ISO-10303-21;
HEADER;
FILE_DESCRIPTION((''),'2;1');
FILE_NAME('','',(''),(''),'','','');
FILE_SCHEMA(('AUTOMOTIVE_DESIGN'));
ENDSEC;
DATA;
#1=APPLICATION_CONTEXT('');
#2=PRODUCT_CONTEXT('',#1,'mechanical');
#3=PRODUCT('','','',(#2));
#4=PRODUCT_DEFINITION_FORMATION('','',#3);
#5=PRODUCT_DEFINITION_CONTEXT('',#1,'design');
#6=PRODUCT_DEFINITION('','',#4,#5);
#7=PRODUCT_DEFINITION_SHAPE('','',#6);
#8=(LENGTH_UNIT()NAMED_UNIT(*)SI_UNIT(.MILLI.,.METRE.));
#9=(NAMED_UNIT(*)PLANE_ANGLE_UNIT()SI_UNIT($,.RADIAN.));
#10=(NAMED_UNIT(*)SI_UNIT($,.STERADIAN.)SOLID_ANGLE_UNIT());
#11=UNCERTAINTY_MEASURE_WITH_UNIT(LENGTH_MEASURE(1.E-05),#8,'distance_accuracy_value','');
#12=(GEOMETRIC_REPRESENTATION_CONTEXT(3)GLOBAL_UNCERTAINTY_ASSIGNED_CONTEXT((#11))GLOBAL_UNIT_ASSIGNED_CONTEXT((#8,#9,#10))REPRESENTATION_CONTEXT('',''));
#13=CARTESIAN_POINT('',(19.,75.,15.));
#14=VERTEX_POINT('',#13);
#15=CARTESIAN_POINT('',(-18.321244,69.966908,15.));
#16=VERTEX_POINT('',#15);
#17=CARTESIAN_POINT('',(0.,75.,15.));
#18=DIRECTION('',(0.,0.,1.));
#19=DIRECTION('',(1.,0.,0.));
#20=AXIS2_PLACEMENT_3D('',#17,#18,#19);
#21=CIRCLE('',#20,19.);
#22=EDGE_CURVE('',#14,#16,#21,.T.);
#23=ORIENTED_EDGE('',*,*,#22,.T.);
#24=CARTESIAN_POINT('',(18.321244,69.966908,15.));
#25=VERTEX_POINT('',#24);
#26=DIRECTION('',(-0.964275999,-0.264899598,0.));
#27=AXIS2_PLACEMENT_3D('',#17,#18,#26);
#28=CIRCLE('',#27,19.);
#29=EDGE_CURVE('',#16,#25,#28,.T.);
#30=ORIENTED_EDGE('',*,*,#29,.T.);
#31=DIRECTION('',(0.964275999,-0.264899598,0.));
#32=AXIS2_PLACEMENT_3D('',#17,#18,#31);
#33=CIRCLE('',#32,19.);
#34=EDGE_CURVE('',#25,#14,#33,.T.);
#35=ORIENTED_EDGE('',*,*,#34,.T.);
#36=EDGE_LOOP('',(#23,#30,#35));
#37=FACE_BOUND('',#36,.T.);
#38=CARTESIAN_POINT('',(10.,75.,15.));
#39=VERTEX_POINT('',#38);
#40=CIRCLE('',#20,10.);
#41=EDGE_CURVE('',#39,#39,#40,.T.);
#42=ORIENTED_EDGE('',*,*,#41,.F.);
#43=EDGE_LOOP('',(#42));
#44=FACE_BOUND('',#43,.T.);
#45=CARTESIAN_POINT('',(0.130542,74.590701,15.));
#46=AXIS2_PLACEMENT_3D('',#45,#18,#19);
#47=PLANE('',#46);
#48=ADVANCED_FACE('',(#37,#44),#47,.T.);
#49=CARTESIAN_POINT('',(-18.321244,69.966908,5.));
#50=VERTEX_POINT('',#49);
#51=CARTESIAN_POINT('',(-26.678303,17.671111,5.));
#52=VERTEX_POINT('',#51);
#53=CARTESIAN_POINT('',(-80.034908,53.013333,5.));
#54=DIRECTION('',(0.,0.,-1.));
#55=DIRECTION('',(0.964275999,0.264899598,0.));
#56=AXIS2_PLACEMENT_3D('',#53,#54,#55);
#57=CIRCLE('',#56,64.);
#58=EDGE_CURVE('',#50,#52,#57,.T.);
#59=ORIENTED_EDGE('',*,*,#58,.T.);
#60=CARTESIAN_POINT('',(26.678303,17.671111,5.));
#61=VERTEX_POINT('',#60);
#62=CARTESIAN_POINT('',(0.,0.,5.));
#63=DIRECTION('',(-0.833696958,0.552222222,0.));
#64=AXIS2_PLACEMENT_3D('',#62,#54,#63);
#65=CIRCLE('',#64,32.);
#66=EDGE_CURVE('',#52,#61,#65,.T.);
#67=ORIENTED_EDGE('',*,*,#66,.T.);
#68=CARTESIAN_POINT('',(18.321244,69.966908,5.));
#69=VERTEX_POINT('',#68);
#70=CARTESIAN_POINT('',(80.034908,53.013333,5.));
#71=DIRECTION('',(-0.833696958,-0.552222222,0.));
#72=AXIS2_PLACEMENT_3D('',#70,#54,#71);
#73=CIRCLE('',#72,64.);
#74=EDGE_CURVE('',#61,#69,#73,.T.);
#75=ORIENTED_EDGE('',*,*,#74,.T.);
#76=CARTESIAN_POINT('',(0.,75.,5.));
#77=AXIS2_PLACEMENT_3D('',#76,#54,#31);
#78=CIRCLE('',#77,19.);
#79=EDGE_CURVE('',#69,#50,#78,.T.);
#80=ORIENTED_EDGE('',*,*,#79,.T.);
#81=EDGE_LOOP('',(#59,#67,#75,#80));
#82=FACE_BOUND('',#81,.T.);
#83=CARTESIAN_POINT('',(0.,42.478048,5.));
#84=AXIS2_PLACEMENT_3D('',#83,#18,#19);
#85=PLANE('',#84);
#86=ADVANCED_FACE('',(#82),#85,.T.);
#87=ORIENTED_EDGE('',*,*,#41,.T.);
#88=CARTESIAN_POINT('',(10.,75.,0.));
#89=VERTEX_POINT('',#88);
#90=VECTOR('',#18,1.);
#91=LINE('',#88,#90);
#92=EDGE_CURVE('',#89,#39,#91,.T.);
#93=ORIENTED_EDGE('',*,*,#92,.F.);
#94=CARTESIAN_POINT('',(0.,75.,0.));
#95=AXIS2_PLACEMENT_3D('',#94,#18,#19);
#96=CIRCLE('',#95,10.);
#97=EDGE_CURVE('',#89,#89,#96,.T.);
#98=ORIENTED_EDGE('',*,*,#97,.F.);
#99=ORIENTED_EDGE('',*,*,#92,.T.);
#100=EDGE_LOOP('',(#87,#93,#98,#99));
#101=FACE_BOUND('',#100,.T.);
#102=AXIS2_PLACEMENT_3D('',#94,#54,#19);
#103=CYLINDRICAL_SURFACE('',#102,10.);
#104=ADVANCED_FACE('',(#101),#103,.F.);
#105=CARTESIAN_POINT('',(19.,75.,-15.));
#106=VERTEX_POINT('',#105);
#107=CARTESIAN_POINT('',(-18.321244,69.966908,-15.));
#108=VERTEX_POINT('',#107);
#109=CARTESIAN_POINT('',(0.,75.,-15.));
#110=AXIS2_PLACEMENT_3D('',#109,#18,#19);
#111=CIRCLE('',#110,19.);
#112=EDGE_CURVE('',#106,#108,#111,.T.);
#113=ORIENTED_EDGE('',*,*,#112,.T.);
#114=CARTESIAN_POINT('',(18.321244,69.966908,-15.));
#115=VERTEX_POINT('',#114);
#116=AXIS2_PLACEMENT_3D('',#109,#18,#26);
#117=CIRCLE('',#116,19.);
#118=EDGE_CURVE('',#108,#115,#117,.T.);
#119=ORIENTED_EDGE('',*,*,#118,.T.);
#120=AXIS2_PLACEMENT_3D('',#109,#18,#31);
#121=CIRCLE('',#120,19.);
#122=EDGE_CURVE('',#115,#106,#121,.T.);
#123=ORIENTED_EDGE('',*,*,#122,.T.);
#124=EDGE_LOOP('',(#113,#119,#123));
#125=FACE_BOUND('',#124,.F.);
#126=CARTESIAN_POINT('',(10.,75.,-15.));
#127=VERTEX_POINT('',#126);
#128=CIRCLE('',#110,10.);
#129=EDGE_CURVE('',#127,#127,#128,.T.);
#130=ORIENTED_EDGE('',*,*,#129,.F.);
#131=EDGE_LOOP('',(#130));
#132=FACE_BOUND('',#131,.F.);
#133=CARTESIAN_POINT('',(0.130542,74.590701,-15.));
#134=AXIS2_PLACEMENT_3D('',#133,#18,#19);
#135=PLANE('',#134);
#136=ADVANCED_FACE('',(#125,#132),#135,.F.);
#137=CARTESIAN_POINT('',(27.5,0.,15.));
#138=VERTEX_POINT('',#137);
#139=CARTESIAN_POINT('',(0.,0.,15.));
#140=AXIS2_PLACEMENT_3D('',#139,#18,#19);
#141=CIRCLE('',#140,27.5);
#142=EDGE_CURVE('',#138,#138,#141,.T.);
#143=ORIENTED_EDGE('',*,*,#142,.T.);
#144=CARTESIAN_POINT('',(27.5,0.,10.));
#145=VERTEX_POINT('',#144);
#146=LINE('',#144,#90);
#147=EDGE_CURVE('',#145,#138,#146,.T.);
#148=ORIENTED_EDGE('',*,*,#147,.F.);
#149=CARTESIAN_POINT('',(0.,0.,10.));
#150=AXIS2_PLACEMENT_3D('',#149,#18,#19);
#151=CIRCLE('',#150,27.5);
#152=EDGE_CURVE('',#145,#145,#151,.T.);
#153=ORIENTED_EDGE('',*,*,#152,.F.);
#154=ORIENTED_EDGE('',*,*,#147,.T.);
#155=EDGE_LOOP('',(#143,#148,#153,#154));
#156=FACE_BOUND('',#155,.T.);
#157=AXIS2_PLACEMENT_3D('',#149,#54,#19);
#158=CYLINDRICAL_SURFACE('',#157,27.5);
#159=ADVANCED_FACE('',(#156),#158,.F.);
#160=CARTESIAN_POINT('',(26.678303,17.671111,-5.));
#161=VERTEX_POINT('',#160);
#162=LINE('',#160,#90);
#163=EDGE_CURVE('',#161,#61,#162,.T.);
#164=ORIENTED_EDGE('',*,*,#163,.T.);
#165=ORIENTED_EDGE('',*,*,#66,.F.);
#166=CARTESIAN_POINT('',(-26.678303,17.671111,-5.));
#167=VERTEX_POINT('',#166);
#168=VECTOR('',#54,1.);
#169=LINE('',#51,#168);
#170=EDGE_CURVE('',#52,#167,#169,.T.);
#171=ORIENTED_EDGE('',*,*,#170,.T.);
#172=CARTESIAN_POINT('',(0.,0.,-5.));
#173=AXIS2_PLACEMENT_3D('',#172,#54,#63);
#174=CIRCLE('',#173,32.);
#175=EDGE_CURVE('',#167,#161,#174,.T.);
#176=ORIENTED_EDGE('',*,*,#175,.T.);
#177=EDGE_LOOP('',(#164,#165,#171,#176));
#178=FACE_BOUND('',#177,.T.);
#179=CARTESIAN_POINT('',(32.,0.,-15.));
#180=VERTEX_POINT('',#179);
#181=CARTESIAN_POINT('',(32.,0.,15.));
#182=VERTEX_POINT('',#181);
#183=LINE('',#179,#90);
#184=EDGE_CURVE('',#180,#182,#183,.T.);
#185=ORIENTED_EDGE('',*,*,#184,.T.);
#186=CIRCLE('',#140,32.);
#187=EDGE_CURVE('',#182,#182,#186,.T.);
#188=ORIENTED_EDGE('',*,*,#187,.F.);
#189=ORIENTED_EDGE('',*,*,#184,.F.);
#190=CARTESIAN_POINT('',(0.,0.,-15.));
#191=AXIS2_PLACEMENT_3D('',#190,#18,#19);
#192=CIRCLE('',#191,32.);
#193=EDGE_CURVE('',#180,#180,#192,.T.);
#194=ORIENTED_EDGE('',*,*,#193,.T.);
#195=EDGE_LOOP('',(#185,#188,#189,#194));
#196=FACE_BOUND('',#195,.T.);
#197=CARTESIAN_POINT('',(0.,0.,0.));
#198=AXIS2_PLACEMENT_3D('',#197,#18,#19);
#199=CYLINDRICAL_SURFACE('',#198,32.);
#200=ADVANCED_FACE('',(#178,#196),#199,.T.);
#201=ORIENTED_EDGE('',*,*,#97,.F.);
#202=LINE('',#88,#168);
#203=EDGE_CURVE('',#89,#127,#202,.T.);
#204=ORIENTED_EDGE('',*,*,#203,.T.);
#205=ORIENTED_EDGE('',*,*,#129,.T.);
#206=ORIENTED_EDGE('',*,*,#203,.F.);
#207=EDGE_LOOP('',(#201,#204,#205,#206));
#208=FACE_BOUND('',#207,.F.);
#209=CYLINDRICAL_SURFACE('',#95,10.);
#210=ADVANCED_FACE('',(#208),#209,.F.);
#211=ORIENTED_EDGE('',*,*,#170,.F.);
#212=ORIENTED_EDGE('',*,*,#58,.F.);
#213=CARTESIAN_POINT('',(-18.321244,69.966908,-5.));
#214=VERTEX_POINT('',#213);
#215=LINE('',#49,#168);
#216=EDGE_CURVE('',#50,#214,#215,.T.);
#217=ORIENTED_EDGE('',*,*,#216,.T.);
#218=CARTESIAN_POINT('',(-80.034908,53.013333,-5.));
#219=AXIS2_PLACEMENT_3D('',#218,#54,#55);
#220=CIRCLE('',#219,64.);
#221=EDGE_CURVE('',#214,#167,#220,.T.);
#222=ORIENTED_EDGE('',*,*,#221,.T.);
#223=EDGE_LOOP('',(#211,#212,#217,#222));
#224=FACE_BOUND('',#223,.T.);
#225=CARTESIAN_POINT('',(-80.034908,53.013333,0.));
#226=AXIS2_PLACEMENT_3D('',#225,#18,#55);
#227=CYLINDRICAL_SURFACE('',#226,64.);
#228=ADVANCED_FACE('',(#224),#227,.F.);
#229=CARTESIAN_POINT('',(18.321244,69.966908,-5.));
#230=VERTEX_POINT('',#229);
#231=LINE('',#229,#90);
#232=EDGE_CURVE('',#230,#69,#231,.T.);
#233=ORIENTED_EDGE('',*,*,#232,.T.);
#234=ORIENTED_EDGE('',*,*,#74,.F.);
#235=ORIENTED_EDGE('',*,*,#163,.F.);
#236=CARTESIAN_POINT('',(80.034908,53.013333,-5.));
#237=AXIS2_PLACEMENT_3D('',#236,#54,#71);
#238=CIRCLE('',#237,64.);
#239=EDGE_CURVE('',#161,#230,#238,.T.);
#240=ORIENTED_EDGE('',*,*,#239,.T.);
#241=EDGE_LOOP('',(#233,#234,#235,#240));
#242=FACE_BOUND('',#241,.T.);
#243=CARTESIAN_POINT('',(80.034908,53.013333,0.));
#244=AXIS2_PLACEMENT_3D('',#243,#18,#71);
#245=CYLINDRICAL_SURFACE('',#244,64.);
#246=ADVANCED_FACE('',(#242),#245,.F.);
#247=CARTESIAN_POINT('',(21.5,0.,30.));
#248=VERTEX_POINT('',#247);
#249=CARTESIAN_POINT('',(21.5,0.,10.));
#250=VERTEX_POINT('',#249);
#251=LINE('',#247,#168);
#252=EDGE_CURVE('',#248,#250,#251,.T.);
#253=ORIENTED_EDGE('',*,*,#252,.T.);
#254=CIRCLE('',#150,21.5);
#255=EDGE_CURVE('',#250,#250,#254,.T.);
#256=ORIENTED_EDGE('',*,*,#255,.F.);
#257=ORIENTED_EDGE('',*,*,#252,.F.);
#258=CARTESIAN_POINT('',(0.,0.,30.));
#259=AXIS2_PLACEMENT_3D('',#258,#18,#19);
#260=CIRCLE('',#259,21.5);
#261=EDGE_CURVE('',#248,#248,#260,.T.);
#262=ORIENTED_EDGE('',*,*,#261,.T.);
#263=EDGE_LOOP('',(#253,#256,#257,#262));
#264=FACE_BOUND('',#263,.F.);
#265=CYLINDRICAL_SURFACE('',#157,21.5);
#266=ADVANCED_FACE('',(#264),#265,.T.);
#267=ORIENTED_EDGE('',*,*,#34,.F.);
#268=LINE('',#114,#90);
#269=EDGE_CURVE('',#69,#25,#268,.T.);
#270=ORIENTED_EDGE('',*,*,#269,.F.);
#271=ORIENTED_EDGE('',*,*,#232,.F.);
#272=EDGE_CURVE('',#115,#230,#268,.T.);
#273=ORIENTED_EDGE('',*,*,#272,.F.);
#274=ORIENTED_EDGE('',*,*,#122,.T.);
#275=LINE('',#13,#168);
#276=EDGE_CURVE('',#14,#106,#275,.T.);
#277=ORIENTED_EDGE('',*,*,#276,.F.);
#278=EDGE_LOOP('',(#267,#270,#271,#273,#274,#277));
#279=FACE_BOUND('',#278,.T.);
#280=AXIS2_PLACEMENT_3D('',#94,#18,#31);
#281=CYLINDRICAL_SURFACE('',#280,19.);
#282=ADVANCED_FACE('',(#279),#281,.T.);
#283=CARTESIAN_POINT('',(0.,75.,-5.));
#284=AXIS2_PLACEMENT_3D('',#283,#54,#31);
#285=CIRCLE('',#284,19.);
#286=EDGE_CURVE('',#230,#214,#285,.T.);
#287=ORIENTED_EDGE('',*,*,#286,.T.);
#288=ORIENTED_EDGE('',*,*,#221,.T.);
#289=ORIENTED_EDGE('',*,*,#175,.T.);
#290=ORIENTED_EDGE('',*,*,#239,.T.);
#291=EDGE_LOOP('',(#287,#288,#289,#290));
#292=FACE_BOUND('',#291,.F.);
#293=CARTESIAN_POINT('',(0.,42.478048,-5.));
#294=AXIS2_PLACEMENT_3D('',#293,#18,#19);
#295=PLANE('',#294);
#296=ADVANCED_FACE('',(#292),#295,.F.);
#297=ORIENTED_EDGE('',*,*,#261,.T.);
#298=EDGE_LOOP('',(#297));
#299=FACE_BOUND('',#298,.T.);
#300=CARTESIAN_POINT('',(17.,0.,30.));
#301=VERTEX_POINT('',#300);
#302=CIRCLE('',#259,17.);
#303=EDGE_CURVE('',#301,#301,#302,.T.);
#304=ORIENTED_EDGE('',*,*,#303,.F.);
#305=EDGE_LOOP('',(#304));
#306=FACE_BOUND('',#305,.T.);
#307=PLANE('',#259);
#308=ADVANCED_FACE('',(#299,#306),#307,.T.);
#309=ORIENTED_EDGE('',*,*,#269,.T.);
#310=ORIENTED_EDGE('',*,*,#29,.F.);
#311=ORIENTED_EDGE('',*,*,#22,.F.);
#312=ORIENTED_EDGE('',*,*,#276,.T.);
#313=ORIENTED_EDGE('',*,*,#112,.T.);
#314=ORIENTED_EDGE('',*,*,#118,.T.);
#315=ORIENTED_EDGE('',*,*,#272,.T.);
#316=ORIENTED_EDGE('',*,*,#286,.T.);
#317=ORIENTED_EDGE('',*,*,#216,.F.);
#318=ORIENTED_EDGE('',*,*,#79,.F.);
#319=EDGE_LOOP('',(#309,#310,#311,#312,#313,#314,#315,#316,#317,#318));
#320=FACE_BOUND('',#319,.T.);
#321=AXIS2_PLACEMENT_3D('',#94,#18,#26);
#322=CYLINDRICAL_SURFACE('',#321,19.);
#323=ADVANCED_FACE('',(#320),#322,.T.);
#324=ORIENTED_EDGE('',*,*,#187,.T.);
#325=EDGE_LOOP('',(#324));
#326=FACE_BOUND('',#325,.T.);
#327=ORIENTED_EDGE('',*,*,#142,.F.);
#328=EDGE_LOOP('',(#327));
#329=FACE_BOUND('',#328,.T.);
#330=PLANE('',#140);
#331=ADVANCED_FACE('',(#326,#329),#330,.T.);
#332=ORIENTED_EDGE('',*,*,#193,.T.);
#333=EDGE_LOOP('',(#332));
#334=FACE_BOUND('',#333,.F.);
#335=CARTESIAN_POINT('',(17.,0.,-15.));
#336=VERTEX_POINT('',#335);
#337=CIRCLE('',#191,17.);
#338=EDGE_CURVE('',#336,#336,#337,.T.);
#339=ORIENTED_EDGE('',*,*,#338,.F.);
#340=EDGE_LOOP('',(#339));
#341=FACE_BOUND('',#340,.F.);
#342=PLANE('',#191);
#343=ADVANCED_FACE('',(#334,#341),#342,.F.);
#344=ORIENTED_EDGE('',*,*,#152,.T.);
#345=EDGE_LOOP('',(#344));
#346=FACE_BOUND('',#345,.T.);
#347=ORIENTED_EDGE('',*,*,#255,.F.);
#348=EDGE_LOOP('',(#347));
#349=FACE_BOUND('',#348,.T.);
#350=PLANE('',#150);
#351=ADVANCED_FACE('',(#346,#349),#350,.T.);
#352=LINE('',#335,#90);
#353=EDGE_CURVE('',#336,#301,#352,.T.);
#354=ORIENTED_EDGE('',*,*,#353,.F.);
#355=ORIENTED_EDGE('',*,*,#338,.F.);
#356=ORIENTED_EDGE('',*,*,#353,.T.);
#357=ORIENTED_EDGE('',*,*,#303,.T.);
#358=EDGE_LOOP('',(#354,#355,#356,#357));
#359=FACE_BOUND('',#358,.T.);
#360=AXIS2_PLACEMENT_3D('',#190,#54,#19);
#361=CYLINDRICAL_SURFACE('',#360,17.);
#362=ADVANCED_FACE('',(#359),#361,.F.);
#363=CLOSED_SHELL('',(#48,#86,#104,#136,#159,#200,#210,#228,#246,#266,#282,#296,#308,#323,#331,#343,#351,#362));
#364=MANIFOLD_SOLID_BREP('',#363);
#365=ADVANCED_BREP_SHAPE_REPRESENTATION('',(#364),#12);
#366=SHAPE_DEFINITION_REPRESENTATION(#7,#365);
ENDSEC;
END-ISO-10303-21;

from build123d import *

# Parameters (mm, degrees)
BOSS_EXTRU_1_DEPTH      = 5
ESQUISSE1_3_R           = 10
BOSS_EXTRU_2_DEPTH      = 15
BOSS_EXTRU_3_DEPTH      = 30
BOSS_EXTRU_3_DEPTH_BACK = 15
ESQUISSE1_5_R           = 21.5
ESQUISSE1_5_R_2         = 17
ESQUISSE1_6_R           = 32
ESQUISSE1_6_R_2         = 21.5
BOSS_EXTRU_4_DEPTH      = 15
ENL_V_START             = 10
ESQUISSE1_7_R           = 27.5
ESQUISSE1_7_R_2         = 21.5
ENL_V_MAT_EXTRU_1_DEPTH = 5


with BuildPart() as part:
    # Esquisse1 → Boss.-Extru.1 (new, symmetric)
    with BuildSketch(Plane.XY):
        with BuildLine():
            ThreePointArc((-26.678302647, 17.671111111), (0, 32), (26.678302647, 17.671111111))
            ThreePointArc((26.678302647, 17.671111111), (16.836772686, 42.914041255), (18.321243986, 69.966907631))
            ThreePointArc((18.321243986, 69.966907631), (0, 56), (-18.321243986, 69.966907631))
            ThreePointArc((-18.321243986, 69.966907631), (-16.836772686, 42.914041255), (-26.678302647, 17.671111111))
        make_face()
    extrude(amount=BOSS_EXTRU_1_DEPTH, both=True)

    # Esquisse1_3 → Boss.-Extru.2 (add, symmetric)
    with BuildSketch(Plane.XY):
        with BuildLine():
            ThreePointArc((-18.321243986, 69.966907631), (0, 56), (18.321243986, 69.966907631))
            ThreePointArc((18.321243986, 69.966907631), (18.829546406, 72.460672898), (19, 75))
            ThreePointArc((19, 75), (-2.539327102, 93.829546406), (-18.321243986, 69.966907631))
        make_face()
        with Locations((0, 75)):
            Circle(ESQUISSE1_3_R, mode=Mode.SUBTRACT)
    extrude(amount=BOSS_EXTRU_2_DEPTH, both=True)



with BuildPart() as body_2:
    # Esquisse1_5 → Boss.-Extru.3 (new, two sides: drawn at the far end of the back side and taken through both)
    with BuildSketch(Plane.XY.offset(-BOSS_EXTRU_3_DEPTH_BACK)):
        Circle(ESQUISSE1_5_R)
        Circle(ESQUISSE1_5_R_2, mode=Mode.SUBTRACT)
    extrude(amount=BOSS_EXTRU_3_DEPTH + BOSS_EXTRU_3_DEPTH_BACK)


with BuildPart() as part_1:
    add(part.part)

    add(body_2.part)  # Boss.-Extru.4 merges body 2
    # Esquisse1_6 → Boss.-Extru.4 (add, symmetric)
    with BuildSketch(Plane.XY):
        Circle(ESQUISSE1_6_R)
        Circle(ESQUISSE1_6_R_2, mode=Mode.SUBTRACT)
    extrude(amount=BOSS_EXTRU_4_DEPTH, both=True)

    # Esquisse1_7 → Enl_v. mat.-Extru.1 (cut)
    with BuildSketch(Plane.XY.offset(ENL_V_START)):
        Circle(ESQUISSE1_7_R)
        Circle(ESQUISSE1_7_R_2, mode=Mode.SUBTRACT)
    extrude(amount=ENL_V_MAT_EXTRU_1_DEPTH, mode=Mode.SUBTRACT)


solid = part_1.part
